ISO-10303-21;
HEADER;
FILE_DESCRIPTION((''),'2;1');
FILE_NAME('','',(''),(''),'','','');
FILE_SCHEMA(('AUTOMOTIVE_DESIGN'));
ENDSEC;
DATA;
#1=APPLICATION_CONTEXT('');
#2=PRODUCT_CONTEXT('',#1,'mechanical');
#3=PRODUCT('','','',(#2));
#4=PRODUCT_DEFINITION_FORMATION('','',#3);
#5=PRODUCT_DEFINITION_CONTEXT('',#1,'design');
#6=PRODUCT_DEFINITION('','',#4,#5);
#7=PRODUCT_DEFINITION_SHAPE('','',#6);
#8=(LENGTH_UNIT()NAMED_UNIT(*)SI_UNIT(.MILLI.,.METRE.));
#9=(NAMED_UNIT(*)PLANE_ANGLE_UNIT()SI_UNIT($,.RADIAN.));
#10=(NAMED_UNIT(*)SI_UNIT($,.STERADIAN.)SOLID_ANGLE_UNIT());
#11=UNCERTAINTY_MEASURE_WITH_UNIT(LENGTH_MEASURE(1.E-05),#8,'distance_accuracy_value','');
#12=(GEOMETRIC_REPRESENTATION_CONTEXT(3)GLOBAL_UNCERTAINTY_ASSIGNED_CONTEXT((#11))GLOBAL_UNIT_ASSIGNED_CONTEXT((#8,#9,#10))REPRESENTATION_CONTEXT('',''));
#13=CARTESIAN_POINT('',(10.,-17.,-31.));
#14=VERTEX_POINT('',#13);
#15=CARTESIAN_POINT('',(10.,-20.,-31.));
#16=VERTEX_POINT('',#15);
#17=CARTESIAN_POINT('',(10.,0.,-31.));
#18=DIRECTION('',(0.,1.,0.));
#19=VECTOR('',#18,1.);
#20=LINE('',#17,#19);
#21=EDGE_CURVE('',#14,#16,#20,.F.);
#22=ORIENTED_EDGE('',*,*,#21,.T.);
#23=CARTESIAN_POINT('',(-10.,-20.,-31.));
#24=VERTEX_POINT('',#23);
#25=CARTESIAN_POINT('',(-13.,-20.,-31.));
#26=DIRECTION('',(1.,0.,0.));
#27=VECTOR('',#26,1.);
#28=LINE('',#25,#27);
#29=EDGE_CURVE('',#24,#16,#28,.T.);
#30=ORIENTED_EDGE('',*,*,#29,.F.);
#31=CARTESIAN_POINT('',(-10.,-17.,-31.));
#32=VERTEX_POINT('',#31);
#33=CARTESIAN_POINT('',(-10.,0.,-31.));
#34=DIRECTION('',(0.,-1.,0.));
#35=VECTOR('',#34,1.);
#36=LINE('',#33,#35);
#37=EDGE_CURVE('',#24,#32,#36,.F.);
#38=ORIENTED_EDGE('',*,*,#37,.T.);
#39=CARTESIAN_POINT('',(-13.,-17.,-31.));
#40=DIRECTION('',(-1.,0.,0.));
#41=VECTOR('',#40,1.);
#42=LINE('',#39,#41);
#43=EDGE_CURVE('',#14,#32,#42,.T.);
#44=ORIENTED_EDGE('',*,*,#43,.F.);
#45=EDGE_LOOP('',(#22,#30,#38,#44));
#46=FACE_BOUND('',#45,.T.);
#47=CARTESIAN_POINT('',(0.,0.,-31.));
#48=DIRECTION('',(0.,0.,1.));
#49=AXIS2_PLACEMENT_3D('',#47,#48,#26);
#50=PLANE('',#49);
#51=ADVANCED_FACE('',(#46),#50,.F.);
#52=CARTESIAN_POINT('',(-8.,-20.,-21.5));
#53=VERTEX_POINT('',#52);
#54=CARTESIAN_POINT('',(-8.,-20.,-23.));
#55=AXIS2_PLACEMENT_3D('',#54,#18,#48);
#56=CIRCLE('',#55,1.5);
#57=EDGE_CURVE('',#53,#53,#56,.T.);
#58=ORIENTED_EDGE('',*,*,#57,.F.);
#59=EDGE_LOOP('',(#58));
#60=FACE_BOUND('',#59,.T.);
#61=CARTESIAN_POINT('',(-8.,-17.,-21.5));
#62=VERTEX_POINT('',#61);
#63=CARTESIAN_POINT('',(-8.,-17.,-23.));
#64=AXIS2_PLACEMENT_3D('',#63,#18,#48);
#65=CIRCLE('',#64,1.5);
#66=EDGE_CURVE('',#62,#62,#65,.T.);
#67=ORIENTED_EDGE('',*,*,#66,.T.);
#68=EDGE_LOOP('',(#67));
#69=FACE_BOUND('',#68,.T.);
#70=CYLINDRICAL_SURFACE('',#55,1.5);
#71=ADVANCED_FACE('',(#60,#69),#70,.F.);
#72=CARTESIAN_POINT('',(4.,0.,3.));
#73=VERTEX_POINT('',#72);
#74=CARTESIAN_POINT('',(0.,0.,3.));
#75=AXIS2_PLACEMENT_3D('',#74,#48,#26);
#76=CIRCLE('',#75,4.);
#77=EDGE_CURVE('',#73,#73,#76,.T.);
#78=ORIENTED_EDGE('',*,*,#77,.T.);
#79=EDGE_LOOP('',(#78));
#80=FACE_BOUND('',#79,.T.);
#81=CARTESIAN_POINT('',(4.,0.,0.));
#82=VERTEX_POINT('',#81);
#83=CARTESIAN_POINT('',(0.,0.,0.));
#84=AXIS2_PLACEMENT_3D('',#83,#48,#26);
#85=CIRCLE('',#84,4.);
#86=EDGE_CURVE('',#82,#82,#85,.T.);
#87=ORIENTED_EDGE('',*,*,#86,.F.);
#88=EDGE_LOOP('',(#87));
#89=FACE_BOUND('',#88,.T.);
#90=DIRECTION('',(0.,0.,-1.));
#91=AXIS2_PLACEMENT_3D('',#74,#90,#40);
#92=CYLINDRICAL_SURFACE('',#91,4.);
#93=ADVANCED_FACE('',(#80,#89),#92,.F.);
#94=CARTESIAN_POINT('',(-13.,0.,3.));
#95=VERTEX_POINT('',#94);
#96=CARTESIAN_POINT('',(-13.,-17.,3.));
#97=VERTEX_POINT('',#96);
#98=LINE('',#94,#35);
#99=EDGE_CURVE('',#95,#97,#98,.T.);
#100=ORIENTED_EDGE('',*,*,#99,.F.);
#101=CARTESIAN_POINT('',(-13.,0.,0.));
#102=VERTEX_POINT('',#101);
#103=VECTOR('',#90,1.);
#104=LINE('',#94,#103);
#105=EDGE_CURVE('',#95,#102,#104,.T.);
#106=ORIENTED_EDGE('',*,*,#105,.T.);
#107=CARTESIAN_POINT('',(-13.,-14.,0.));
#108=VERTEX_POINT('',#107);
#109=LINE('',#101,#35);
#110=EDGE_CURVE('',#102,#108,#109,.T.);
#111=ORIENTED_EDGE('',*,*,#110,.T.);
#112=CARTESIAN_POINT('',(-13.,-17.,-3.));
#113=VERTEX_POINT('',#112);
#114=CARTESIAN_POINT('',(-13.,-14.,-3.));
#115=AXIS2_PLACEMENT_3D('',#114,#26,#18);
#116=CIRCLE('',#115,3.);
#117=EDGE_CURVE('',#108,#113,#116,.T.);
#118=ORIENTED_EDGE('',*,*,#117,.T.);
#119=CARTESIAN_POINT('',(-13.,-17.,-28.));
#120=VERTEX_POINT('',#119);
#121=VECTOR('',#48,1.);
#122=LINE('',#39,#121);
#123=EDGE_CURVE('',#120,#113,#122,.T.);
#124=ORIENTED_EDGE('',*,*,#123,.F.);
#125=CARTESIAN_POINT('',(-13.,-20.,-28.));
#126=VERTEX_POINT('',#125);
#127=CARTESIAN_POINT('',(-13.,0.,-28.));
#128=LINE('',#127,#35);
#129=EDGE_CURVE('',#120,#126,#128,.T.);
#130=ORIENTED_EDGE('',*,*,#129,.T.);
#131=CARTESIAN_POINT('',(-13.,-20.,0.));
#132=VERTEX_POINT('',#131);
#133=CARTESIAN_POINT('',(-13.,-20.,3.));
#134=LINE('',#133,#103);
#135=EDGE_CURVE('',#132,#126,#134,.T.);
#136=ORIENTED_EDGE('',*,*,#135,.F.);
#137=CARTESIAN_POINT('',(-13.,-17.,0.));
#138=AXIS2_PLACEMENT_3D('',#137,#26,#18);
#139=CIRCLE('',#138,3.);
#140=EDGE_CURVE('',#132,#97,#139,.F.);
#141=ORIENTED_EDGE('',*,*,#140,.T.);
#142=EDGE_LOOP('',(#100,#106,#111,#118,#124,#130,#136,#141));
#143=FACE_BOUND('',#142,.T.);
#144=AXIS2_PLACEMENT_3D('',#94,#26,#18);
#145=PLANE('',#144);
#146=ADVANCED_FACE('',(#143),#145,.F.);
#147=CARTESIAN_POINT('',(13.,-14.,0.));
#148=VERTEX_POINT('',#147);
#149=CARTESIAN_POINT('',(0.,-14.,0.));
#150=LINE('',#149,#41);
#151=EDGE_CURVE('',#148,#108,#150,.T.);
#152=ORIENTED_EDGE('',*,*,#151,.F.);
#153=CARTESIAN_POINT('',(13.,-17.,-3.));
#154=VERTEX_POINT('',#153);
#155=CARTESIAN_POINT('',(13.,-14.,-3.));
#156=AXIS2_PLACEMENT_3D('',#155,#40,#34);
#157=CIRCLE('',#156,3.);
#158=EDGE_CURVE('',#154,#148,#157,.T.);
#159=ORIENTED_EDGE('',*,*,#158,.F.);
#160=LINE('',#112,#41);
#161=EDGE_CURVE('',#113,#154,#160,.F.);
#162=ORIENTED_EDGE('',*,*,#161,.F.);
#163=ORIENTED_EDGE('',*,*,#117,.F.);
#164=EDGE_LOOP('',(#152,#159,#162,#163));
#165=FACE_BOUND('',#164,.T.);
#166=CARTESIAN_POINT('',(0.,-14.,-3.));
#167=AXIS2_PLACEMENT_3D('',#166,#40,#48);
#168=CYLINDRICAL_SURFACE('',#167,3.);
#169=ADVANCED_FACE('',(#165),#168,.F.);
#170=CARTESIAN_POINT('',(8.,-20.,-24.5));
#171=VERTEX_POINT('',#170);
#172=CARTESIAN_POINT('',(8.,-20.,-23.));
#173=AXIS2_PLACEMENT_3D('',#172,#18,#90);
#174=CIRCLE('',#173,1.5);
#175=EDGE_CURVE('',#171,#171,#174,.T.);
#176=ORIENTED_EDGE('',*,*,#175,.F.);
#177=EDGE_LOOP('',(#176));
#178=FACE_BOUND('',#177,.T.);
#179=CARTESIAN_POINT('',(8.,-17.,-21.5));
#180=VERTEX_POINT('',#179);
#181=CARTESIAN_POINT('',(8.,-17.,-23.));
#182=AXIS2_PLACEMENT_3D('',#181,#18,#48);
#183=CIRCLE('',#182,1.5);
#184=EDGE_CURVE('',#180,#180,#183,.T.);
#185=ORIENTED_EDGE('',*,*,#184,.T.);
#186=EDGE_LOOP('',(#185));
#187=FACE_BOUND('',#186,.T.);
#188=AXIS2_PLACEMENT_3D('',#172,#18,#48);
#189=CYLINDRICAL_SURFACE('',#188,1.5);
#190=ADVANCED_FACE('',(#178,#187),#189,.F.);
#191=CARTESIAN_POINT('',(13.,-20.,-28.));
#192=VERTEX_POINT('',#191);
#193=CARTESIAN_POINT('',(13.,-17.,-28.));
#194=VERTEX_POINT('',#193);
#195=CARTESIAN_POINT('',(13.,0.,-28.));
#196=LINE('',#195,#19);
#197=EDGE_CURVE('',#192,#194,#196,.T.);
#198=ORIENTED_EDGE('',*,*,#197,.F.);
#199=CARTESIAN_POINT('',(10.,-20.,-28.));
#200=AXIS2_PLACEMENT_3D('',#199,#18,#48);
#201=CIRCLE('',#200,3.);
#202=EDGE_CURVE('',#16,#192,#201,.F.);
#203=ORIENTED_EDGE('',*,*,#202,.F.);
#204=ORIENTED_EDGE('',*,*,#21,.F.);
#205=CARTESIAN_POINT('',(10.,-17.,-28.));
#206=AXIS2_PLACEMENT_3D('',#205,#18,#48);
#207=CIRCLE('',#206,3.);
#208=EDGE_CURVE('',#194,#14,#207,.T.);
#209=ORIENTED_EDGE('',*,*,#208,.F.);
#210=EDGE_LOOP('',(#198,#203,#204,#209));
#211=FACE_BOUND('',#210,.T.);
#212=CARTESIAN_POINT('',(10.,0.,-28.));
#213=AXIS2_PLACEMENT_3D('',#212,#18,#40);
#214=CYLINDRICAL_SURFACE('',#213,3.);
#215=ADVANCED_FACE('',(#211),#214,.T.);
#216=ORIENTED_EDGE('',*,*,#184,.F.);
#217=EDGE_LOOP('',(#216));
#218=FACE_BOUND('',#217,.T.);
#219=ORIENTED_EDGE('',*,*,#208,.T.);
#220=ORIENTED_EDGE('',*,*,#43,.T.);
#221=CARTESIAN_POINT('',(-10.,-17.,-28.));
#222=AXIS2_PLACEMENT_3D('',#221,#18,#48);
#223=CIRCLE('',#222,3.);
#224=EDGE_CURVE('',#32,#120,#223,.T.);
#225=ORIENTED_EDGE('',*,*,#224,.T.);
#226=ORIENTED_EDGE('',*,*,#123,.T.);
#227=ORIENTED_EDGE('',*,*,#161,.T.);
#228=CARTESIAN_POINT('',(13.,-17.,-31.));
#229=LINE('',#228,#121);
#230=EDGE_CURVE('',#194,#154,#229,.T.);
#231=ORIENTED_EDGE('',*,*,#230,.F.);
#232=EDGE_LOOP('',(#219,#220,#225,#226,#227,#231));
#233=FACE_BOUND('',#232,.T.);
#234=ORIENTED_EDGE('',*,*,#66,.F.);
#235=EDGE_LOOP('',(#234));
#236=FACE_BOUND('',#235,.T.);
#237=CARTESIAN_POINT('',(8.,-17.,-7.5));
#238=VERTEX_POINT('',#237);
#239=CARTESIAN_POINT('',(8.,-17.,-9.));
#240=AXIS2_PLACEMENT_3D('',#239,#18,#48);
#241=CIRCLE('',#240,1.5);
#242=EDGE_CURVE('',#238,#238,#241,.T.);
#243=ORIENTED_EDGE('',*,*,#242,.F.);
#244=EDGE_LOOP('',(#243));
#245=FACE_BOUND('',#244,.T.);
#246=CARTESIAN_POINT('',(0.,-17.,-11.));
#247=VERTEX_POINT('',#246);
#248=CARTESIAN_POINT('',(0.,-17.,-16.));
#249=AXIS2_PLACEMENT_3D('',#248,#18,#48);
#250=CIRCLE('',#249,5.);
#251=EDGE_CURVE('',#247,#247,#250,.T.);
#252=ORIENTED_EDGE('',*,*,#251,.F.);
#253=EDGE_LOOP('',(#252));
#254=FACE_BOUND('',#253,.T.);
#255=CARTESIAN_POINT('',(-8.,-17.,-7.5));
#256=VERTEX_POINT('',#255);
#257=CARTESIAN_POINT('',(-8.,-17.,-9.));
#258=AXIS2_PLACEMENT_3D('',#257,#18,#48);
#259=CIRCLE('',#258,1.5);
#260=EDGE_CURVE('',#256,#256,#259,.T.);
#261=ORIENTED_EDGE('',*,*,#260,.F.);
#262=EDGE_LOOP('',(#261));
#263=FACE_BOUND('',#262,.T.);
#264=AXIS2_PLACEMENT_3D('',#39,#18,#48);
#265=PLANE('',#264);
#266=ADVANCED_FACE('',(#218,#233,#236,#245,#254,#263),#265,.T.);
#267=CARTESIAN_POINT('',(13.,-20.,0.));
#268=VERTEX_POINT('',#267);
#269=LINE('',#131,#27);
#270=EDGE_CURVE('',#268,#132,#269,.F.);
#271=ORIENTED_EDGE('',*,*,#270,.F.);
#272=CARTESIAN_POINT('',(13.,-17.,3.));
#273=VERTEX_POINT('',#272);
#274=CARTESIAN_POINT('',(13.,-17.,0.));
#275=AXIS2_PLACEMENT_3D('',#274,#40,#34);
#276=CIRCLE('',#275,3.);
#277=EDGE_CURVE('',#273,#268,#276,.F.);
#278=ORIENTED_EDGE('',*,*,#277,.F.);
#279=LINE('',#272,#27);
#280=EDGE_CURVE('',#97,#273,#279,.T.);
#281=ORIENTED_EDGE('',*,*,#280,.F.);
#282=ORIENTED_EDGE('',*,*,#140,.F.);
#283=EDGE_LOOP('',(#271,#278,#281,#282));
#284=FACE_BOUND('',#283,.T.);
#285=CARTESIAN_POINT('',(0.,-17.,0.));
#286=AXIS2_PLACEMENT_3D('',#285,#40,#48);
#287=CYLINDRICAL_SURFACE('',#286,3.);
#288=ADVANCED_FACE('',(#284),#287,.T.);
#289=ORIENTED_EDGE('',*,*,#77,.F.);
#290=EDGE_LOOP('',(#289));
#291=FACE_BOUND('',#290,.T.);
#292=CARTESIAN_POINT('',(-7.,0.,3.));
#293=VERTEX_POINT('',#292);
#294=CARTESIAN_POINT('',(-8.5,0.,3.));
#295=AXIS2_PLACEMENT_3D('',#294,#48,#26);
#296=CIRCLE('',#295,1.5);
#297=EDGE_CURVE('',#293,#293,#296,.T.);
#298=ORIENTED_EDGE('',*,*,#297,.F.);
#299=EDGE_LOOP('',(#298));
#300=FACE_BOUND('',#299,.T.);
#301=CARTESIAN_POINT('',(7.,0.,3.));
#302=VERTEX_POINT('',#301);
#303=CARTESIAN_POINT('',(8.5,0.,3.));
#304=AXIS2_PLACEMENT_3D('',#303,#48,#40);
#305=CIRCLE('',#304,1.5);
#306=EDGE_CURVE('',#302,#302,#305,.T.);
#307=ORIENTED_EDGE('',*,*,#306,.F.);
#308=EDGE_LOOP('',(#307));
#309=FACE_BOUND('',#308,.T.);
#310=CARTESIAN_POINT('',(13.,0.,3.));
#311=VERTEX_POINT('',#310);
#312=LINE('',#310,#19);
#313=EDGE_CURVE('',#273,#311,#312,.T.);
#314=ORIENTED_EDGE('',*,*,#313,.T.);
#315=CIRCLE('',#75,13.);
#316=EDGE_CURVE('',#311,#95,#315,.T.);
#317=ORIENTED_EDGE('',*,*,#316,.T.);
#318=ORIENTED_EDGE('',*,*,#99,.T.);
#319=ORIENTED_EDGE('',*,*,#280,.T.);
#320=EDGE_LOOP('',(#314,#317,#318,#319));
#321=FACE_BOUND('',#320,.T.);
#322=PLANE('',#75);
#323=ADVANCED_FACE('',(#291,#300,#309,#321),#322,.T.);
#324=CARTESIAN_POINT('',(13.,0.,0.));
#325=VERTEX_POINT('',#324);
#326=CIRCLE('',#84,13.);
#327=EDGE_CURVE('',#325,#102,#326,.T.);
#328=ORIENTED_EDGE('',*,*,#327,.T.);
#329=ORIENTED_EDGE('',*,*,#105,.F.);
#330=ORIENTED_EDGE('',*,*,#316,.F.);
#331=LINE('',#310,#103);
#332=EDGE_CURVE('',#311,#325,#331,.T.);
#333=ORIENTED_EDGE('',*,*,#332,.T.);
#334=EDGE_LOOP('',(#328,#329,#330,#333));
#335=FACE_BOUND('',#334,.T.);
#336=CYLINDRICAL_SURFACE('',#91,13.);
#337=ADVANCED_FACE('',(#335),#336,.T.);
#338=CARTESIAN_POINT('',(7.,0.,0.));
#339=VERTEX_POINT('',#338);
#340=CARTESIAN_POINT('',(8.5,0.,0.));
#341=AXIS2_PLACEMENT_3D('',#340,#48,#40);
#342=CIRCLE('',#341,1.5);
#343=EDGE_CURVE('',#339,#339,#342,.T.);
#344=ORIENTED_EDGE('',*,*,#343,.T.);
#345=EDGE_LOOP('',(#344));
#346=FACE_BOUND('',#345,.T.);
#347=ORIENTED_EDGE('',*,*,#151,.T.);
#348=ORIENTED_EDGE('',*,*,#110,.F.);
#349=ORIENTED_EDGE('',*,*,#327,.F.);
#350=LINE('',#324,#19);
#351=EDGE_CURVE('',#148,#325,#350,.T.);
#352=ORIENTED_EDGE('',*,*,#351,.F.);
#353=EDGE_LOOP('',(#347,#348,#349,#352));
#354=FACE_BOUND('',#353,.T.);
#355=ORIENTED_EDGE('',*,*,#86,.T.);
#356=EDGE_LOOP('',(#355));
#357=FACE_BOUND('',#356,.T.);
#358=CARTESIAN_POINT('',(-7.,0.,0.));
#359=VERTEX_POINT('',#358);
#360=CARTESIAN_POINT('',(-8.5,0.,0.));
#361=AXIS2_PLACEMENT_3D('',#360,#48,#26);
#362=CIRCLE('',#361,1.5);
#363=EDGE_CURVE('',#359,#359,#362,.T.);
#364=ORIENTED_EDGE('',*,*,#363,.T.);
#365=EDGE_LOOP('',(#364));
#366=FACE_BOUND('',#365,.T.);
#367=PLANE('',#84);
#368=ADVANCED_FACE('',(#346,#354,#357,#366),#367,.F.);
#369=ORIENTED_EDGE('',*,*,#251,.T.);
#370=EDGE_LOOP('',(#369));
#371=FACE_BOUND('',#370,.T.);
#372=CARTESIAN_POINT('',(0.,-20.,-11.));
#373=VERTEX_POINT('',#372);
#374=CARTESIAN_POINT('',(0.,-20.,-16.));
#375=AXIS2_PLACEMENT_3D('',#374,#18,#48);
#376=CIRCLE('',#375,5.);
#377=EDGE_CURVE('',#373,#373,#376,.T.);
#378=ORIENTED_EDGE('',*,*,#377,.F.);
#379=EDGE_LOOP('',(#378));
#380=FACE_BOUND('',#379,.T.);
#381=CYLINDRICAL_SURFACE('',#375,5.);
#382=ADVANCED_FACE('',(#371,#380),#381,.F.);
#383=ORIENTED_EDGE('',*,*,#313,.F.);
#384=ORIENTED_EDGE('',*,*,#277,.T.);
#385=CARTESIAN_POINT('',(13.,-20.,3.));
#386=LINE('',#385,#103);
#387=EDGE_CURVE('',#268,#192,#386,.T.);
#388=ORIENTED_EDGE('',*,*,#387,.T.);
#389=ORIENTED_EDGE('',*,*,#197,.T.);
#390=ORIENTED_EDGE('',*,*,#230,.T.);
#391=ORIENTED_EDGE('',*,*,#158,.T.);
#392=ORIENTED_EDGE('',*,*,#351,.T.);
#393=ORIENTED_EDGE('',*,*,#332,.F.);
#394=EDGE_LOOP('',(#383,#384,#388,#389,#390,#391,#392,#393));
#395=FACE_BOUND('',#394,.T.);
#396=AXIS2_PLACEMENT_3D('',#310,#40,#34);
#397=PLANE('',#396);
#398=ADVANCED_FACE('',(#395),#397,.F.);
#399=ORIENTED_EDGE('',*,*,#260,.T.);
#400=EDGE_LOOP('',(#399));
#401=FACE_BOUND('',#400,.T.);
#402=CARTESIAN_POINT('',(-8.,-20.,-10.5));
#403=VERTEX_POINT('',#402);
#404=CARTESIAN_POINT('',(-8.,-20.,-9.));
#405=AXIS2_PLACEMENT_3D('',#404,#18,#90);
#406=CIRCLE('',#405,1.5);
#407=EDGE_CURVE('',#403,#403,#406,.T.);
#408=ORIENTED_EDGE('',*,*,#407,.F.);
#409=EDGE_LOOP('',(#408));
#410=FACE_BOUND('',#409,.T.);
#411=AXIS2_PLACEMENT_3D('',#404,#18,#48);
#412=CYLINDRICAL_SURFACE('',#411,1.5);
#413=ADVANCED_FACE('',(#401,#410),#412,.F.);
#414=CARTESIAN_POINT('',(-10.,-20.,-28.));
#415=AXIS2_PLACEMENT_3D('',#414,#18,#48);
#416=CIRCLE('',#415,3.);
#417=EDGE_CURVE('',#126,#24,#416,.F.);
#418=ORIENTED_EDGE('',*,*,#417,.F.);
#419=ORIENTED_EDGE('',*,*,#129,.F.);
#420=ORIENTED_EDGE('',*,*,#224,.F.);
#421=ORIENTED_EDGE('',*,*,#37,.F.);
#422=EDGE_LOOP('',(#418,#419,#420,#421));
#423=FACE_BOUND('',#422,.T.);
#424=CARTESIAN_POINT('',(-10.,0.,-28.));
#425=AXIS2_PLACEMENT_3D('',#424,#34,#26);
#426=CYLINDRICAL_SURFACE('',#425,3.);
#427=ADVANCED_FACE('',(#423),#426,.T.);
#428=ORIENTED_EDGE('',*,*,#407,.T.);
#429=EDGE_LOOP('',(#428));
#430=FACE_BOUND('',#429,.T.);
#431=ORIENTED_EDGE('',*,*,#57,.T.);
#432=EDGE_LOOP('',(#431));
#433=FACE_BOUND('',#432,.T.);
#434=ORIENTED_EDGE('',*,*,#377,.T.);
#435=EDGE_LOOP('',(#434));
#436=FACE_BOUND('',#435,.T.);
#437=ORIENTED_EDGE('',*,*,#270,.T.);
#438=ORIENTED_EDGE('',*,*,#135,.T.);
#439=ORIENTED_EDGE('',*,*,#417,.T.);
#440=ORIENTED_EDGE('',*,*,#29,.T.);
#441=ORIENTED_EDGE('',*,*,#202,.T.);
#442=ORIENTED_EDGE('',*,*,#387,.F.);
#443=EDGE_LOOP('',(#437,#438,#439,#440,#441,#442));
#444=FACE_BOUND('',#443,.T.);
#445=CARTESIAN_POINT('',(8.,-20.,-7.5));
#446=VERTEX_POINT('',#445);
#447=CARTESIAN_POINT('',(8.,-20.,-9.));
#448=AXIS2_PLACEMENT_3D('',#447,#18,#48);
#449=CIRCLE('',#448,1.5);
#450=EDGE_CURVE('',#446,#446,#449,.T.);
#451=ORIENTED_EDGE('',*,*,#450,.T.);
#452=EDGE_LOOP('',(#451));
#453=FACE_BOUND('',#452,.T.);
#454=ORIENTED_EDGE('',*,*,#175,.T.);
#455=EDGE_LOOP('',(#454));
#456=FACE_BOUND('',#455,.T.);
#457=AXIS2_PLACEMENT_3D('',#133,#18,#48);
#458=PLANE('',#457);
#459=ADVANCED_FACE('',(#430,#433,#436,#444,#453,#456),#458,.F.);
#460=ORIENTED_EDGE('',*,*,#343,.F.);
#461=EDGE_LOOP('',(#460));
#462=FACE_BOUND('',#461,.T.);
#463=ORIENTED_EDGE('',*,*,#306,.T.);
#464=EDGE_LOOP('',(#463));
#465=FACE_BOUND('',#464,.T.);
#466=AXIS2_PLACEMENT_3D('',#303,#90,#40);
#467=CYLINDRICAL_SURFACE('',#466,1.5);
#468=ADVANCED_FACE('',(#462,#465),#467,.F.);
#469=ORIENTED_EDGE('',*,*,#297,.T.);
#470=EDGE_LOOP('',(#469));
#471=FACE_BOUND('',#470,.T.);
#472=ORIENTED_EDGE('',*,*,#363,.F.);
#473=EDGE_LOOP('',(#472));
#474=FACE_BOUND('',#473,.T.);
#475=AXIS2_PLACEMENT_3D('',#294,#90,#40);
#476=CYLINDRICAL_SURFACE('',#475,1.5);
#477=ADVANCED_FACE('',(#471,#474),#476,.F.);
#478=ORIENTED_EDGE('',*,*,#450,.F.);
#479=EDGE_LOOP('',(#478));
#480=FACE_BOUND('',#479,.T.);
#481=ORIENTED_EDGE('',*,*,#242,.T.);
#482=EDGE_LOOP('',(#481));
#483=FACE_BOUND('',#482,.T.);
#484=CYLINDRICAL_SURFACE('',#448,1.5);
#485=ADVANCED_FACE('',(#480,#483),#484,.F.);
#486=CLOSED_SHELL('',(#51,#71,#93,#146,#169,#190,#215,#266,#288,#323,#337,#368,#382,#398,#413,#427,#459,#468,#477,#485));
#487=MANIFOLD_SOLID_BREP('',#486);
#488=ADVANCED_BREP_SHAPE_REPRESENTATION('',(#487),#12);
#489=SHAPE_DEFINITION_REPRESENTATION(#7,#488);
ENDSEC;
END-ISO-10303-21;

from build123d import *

# Parameters (mm, degrees)
SKETCH_1_R          = 4
SKETCH_1_R_2        = 1.5
EXTRUDE_1_DEPTH     = 3
SKETCH_2_W          = 26
SKETCH_2_H          = 3
EXTRUDE_2_DEPTH     = 31
SKETCH_3_R          = 5
SKETCH_3_R_2        = 1.5
CUT_EXTRUDE_1_DEPTH = 40.115214431
FILLET_1_R          = 3


with BuildPart() as part:
    # 草图1 → 凸台-拉伸1 (new body)
    with BuildSketch(Plane.XY):
        with BuildLine():
            Line((-13, 0), (-13, -20))
            Line((-13, -20), (13, -20))
            Line((13, -20), (13, 0))
            ThreePointArc((13, 0), (0, 13), (-13, 0))
        make_face()
        Circle(SKETCH_1_R, mode=Mode.SUBTRACT)
        with Locations((-8.5, 0)):
            Circle(SKETCH_1_R_2, mode=Mode.SUBTRACT)
        with Locations(Location((8.5, 0, 0), (0, 0, 180))):
            Circle(SKETCH_1_R_2, mode=Mode.SUBTRACT)
    extrude(amount=EXTRUDE_1_DEPTH)

    # 草图2 → 凸台-拉伸2 (add)
    with BuildSketch(Plane.XY):
        with Locations((0, -18.5)):
            Rectangle(SKETCH_2_W, SKETCH_2_H)
    extrude(amount=-EXTRUDE_2_DEPTH)

    # 草图3 → 切除-拉伸1 (cut, through all)
    with BuildSketch(Plane(origin=(0, 0, 0), x_dir=(1, 0, 0), z_dir=(0, 1, 0))):
        with Locations(Location((0, 16, 0), (0, 0, 270))):
            Circle(SKETCH_3_R)
        with Locations(Location((-8, 23, 0), (0, 0, 270))):
            Circle(SKETCH_3_R_2)
        with Locations(Location((8, 23, 0), (0, 0, 270))):
            Circle(SKETCH_3_R_2)
        with Locations(Location((8, 9, 0), (0, 0, 270))):
            Circle(SKETCH_3_R_2)
        with Locations(Location((-8, 9, 0), (0, 0, 270))):
            Circle(SKETCH_3_R_2)
    extrude(amount=-CUT_EXTRUDE_1_DEPTH, mode=Mode.SUBTRACT)

    # 圆角1
    fillet_1_edges = [part.edges().sort_by_distance(p)[0] for p in [
        (0, -20, 3),
        (-13, -18.5, -31),
        (13, -18.5, -31),
        (0, -17, 0),
    ]]
    fillet(fillet_1_edges, radius=FILLET_1_R)


solid = part.part
